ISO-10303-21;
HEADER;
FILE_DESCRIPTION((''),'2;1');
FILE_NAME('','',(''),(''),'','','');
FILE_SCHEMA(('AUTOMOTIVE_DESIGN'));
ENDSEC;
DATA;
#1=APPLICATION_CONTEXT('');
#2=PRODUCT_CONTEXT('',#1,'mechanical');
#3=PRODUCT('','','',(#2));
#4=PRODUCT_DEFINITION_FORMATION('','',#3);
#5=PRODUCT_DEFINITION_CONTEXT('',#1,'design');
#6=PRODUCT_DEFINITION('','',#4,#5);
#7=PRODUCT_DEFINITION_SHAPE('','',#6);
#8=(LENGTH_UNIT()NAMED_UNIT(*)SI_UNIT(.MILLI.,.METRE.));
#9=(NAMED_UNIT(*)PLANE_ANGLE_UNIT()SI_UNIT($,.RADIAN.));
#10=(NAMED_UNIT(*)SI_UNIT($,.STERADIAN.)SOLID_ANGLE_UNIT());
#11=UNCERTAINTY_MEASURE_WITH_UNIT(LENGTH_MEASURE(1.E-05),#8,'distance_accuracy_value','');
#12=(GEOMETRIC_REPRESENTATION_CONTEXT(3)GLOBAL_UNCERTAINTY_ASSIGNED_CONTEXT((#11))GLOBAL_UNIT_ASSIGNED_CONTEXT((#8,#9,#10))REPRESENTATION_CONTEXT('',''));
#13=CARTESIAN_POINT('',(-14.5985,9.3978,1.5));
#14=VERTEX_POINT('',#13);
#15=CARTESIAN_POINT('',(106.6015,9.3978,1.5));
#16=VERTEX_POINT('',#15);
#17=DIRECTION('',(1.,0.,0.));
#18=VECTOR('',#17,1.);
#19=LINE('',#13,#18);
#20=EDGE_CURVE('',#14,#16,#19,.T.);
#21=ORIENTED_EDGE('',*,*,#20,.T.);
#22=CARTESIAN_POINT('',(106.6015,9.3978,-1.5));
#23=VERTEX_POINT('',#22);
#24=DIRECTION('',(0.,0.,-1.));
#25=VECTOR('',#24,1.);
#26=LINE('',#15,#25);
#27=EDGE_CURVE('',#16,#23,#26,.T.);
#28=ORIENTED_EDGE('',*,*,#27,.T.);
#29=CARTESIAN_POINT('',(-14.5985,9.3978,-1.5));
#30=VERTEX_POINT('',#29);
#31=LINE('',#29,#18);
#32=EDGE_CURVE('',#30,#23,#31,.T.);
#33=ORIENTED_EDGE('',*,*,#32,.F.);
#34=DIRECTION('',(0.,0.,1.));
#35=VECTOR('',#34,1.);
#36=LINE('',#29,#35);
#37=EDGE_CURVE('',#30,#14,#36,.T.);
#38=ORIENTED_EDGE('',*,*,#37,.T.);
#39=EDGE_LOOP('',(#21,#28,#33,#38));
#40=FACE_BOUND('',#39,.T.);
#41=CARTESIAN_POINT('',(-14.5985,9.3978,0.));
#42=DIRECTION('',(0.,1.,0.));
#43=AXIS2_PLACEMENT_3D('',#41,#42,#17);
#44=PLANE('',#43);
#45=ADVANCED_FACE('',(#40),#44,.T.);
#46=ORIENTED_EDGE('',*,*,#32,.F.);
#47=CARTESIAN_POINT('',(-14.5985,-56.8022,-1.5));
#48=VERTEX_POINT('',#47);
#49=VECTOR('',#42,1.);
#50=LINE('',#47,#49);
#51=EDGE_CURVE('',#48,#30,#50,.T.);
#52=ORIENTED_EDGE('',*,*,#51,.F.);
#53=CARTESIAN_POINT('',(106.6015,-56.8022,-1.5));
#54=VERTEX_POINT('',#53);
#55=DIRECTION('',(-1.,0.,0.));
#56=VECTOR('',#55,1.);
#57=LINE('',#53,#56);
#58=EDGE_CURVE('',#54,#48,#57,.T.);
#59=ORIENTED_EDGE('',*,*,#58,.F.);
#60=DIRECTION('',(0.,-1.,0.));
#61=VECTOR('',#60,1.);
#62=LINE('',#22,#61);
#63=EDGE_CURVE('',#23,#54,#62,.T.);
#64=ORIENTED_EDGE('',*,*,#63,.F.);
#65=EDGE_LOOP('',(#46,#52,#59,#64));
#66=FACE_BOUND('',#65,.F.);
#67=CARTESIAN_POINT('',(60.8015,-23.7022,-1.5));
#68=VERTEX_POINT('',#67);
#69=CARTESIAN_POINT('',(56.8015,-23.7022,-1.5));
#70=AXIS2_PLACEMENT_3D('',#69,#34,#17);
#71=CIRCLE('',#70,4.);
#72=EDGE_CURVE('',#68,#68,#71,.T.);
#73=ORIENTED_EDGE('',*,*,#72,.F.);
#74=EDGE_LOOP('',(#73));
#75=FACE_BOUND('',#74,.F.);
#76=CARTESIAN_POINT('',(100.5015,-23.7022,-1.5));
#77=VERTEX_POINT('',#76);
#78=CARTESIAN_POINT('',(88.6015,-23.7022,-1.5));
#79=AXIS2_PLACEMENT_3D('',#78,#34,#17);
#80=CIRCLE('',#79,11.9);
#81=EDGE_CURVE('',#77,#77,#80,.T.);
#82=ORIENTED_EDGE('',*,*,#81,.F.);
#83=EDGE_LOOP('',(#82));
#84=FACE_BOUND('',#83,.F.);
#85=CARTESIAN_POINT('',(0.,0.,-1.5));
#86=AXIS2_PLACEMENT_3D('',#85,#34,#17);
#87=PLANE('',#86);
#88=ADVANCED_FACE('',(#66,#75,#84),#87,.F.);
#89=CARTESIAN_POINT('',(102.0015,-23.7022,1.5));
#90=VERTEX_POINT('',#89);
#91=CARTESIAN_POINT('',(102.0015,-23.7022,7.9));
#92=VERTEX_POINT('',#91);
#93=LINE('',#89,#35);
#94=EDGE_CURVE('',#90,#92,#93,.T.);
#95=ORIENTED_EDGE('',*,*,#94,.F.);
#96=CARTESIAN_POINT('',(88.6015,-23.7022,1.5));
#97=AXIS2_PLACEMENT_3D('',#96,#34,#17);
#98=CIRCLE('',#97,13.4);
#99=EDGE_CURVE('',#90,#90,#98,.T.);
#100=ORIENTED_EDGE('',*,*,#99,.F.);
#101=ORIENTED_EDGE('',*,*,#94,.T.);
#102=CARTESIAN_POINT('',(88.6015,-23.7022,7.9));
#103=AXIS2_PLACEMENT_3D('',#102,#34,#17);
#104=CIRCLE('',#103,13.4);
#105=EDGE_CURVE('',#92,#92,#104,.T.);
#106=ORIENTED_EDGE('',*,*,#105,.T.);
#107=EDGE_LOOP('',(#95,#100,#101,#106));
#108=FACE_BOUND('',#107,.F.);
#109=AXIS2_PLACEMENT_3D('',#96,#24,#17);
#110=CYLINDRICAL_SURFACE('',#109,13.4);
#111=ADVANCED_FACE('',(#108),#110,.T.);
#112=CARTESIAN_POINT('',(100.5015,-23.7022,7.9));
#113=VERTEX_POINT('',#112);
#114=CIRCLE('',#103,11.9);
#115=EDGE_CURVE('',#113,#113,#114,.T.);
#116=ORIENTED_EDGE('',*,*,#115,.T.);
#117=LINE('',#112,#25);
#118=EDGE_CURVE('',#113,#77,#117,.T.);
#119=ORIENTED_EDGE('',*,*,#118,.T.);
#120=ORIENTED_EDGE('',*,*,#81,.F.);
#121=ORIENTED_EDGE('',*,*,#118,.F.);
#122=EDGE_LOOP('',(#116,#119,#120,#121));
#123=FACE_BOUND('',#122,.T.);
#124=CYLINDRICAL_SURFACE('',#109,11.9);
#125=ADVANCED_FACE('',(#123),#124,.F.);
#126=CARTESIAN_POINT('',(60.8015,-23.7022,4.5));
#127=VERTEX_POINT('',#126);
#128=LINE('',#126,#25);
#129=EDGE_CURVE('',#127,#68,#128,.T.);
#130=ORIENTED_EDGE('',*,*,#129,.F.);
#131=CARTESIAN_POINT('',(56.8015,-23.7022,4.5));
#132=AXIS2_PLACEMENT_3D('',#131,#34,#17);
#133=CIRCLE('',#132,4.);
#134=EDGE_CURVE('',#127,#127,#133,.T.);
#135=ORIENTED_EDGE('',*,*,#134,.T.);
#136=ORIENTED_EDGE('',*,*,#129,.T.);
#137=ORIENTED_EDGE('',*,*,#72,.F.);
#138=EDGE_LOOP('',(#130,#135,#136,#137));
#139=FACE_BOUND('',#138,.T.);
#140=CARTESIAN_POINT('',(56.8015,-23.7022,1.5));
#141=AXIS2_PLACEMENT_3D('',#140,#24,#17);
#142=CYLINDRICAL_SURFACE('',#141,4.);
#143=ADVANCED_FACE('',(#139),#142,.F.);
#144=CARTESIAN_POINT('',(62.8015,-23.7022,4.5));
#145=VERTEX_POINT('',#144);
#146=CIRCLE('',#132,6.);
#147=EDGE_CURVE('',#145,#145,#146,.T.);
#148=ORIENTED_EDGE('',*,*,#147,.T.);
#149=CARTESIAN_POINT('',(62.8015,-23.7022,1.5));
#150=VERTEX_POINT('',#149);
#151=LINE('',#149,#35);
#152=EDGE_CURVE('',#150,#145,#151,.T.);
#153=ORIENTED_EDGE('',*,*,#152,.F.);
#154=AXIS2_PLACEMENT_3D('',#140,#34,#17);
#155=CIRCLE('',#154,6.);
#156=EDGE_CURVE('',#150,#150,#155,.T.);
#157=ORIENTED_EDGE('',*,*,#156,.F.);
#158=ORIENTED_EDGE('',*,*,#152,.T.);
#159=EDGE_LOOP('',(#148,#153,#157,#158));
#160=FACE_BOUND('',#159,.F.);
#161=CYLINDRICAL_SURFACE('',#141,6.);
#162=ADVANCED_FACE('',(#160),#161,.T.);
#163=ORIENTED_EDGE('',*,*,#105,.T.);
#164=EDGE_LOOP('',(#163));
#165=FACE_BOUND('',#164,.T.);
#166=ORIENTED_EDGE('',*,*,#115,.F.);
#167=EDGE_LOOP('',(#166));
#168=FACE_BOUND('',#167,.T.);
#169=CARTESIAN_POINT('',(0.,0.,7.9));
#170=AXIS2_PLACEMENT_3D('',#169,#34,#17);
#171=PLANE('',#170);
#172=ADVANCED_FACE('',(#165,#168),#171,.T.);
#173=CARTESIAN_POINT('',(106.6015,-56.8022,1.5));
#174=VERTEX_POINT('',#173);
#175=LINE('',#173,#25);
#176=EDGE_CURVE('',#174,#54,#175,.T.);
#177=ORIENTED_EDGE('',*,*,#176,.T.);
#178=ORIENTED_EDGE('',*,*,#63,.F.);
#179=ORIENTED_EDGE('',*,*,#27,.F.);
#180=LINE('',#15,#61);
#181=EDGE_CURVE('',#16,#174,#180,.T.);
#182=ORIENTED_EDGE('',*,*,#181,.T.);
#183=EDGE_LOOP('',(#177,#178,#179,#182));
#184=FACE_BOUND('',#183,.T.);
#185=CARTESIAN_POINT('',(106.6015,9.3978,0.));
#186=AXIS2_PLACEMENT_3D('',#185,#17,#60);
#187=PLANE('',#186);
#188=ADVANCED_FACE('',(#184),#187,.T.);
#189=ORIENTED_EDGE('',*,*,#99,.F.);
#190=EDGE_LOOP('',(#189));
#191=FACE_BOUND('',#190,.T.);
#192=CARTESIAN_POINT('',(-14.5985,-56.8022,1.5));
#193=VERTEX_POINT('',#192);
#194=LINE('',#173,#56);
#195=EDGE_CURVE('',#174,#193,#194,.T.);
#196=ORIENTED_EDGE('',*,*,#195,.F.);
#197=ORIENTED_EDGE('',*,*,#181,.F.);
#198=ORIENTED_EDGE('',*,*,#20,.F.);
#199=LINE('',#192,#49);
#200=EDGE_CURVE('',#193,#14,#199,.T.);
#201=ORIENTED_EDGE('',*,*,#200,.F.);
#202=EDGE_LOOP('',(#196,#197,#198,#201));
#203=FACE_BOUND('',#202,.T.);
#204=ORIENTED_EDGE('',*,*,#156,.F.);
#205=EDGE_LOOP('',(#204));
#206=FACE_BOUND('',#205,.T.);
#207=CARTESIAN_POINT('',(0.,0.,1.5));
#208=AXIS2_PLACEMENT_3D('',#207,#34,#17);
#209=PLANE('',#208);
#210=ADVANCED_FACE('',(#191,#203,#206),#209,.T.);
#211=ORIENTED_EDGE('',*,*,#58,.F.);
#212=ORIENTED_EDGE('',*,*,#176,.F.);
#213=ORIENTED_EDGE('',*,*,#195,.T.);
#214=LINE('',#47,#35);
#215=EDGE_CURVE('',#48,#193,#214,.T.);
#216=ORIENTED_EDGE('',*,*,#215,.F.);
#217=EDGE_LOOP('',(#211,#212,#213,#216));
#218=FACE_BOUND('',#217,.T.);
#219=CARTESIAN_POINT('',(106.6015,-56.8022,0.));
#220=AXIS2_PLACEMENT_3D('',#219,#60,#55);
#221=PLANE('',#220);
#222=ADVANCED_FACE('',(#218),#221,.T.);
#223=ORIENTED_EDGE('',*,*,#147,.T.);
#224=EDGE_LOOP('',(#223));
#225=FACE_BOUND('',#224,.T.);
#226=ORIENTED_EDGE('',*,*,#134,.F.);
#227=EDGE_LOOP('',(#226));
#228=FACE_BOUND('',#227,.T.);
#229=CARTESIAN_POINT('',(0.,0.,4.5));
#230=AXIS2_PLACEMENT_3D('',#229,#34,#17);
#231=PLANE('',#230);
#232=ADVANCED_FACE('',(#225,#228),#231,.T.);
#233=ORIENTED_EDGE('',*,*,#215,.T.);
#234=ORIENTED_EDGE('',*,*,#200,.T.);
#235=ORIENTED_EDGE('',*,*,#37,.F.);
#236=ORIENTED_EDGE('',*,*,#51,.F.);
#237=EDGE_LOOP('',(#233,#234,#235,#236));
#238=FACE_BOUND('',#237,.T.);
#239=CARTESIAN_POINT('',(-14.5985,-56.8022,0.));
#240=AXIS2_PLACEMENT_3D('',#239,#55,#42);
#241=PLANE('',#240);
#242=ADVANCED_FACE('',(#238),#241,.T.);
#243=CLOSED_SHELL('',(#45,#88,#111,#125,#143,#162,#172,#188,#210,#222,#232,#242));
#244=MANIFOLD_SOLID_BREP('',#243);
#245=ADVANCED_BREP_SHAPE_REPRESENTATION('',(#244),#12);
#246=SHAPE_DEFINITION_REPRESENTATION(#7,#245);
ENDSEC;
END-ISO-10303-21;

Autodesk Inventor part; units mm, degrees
ref_plane "YZ Plane" through (0, 0, 0) normal (1, 0, 0) x (0, 1, 0)
ref_plane "XZ Plane" through (0, 0, 0) normal (0, 1, 0) x (-1, 0, 0)
ref_plane "XY Plane" through (0, 0, 0) normal (0, 0, 1) x (1, 0, 0)
sketch "Sketch1" plane through (0, 0, 0) normal (0, 0, 1) x (1, 0, 0)
  line L0 (-14.5985, 9.3978) -> (106.6015, 9.3978)
  line L1 (106.6015, 9.3978) -> (106.6015, -56.8022)
  line L2 (106.6015, -56.8022) -> (-14.5985, -56.8022)
  line L3 (-14.5985, -56.8022) -> (-14.5985, 9.3978)
  circle A0 centre (88.6015, -23.7022) radius 11.9
  circle A1 centre (56.8015, -23.7022) radius 4
  point P0 (0, 0)
  dimension "d0" = 121.2
  dimension "d1" = 66.2
  dimension "d3" = 33.1
  dimension "d4" = 8
  dimension "d5" = 23.8
  dimension "d6" = 18
  dimension "d17" = 31.8
extrude "Extrusion1" add sketch "Sketch1" along normal mid plane 3
sketch "Sketch2" plane through (0, 0, 1.5) normal (0, 0, 1) x (1, 0, 0)
  circle A0 centre (56.8015, -23.7022) radius 4 projected
  circle A1 centre (56.8015, -23.7022) radius 6
  point P0 (0, 0)
  dimension "d10" = 12
extrude "Extrusion2" add sketch "Sketch2" along normal blind 3
sketch "Sketch3" plane through (0, 0, 1.5) normal (0, 0, 1) x (1, 0, 0)
  circle A0 centre (88.6015, -23.7022) radius 11.9 projected
  circle A1 centre (88.6015, -23.7022) radius 13.4
  point P0 (0, 0)
  dimension "d13" = 23.8
  dimension "d14" = 26.8
extrude "Extrusion3" add sketch "Sketch3" along normal blind 6.4
equation "\"d3\" = 0.5 * d1"
properties part number "Cover"
